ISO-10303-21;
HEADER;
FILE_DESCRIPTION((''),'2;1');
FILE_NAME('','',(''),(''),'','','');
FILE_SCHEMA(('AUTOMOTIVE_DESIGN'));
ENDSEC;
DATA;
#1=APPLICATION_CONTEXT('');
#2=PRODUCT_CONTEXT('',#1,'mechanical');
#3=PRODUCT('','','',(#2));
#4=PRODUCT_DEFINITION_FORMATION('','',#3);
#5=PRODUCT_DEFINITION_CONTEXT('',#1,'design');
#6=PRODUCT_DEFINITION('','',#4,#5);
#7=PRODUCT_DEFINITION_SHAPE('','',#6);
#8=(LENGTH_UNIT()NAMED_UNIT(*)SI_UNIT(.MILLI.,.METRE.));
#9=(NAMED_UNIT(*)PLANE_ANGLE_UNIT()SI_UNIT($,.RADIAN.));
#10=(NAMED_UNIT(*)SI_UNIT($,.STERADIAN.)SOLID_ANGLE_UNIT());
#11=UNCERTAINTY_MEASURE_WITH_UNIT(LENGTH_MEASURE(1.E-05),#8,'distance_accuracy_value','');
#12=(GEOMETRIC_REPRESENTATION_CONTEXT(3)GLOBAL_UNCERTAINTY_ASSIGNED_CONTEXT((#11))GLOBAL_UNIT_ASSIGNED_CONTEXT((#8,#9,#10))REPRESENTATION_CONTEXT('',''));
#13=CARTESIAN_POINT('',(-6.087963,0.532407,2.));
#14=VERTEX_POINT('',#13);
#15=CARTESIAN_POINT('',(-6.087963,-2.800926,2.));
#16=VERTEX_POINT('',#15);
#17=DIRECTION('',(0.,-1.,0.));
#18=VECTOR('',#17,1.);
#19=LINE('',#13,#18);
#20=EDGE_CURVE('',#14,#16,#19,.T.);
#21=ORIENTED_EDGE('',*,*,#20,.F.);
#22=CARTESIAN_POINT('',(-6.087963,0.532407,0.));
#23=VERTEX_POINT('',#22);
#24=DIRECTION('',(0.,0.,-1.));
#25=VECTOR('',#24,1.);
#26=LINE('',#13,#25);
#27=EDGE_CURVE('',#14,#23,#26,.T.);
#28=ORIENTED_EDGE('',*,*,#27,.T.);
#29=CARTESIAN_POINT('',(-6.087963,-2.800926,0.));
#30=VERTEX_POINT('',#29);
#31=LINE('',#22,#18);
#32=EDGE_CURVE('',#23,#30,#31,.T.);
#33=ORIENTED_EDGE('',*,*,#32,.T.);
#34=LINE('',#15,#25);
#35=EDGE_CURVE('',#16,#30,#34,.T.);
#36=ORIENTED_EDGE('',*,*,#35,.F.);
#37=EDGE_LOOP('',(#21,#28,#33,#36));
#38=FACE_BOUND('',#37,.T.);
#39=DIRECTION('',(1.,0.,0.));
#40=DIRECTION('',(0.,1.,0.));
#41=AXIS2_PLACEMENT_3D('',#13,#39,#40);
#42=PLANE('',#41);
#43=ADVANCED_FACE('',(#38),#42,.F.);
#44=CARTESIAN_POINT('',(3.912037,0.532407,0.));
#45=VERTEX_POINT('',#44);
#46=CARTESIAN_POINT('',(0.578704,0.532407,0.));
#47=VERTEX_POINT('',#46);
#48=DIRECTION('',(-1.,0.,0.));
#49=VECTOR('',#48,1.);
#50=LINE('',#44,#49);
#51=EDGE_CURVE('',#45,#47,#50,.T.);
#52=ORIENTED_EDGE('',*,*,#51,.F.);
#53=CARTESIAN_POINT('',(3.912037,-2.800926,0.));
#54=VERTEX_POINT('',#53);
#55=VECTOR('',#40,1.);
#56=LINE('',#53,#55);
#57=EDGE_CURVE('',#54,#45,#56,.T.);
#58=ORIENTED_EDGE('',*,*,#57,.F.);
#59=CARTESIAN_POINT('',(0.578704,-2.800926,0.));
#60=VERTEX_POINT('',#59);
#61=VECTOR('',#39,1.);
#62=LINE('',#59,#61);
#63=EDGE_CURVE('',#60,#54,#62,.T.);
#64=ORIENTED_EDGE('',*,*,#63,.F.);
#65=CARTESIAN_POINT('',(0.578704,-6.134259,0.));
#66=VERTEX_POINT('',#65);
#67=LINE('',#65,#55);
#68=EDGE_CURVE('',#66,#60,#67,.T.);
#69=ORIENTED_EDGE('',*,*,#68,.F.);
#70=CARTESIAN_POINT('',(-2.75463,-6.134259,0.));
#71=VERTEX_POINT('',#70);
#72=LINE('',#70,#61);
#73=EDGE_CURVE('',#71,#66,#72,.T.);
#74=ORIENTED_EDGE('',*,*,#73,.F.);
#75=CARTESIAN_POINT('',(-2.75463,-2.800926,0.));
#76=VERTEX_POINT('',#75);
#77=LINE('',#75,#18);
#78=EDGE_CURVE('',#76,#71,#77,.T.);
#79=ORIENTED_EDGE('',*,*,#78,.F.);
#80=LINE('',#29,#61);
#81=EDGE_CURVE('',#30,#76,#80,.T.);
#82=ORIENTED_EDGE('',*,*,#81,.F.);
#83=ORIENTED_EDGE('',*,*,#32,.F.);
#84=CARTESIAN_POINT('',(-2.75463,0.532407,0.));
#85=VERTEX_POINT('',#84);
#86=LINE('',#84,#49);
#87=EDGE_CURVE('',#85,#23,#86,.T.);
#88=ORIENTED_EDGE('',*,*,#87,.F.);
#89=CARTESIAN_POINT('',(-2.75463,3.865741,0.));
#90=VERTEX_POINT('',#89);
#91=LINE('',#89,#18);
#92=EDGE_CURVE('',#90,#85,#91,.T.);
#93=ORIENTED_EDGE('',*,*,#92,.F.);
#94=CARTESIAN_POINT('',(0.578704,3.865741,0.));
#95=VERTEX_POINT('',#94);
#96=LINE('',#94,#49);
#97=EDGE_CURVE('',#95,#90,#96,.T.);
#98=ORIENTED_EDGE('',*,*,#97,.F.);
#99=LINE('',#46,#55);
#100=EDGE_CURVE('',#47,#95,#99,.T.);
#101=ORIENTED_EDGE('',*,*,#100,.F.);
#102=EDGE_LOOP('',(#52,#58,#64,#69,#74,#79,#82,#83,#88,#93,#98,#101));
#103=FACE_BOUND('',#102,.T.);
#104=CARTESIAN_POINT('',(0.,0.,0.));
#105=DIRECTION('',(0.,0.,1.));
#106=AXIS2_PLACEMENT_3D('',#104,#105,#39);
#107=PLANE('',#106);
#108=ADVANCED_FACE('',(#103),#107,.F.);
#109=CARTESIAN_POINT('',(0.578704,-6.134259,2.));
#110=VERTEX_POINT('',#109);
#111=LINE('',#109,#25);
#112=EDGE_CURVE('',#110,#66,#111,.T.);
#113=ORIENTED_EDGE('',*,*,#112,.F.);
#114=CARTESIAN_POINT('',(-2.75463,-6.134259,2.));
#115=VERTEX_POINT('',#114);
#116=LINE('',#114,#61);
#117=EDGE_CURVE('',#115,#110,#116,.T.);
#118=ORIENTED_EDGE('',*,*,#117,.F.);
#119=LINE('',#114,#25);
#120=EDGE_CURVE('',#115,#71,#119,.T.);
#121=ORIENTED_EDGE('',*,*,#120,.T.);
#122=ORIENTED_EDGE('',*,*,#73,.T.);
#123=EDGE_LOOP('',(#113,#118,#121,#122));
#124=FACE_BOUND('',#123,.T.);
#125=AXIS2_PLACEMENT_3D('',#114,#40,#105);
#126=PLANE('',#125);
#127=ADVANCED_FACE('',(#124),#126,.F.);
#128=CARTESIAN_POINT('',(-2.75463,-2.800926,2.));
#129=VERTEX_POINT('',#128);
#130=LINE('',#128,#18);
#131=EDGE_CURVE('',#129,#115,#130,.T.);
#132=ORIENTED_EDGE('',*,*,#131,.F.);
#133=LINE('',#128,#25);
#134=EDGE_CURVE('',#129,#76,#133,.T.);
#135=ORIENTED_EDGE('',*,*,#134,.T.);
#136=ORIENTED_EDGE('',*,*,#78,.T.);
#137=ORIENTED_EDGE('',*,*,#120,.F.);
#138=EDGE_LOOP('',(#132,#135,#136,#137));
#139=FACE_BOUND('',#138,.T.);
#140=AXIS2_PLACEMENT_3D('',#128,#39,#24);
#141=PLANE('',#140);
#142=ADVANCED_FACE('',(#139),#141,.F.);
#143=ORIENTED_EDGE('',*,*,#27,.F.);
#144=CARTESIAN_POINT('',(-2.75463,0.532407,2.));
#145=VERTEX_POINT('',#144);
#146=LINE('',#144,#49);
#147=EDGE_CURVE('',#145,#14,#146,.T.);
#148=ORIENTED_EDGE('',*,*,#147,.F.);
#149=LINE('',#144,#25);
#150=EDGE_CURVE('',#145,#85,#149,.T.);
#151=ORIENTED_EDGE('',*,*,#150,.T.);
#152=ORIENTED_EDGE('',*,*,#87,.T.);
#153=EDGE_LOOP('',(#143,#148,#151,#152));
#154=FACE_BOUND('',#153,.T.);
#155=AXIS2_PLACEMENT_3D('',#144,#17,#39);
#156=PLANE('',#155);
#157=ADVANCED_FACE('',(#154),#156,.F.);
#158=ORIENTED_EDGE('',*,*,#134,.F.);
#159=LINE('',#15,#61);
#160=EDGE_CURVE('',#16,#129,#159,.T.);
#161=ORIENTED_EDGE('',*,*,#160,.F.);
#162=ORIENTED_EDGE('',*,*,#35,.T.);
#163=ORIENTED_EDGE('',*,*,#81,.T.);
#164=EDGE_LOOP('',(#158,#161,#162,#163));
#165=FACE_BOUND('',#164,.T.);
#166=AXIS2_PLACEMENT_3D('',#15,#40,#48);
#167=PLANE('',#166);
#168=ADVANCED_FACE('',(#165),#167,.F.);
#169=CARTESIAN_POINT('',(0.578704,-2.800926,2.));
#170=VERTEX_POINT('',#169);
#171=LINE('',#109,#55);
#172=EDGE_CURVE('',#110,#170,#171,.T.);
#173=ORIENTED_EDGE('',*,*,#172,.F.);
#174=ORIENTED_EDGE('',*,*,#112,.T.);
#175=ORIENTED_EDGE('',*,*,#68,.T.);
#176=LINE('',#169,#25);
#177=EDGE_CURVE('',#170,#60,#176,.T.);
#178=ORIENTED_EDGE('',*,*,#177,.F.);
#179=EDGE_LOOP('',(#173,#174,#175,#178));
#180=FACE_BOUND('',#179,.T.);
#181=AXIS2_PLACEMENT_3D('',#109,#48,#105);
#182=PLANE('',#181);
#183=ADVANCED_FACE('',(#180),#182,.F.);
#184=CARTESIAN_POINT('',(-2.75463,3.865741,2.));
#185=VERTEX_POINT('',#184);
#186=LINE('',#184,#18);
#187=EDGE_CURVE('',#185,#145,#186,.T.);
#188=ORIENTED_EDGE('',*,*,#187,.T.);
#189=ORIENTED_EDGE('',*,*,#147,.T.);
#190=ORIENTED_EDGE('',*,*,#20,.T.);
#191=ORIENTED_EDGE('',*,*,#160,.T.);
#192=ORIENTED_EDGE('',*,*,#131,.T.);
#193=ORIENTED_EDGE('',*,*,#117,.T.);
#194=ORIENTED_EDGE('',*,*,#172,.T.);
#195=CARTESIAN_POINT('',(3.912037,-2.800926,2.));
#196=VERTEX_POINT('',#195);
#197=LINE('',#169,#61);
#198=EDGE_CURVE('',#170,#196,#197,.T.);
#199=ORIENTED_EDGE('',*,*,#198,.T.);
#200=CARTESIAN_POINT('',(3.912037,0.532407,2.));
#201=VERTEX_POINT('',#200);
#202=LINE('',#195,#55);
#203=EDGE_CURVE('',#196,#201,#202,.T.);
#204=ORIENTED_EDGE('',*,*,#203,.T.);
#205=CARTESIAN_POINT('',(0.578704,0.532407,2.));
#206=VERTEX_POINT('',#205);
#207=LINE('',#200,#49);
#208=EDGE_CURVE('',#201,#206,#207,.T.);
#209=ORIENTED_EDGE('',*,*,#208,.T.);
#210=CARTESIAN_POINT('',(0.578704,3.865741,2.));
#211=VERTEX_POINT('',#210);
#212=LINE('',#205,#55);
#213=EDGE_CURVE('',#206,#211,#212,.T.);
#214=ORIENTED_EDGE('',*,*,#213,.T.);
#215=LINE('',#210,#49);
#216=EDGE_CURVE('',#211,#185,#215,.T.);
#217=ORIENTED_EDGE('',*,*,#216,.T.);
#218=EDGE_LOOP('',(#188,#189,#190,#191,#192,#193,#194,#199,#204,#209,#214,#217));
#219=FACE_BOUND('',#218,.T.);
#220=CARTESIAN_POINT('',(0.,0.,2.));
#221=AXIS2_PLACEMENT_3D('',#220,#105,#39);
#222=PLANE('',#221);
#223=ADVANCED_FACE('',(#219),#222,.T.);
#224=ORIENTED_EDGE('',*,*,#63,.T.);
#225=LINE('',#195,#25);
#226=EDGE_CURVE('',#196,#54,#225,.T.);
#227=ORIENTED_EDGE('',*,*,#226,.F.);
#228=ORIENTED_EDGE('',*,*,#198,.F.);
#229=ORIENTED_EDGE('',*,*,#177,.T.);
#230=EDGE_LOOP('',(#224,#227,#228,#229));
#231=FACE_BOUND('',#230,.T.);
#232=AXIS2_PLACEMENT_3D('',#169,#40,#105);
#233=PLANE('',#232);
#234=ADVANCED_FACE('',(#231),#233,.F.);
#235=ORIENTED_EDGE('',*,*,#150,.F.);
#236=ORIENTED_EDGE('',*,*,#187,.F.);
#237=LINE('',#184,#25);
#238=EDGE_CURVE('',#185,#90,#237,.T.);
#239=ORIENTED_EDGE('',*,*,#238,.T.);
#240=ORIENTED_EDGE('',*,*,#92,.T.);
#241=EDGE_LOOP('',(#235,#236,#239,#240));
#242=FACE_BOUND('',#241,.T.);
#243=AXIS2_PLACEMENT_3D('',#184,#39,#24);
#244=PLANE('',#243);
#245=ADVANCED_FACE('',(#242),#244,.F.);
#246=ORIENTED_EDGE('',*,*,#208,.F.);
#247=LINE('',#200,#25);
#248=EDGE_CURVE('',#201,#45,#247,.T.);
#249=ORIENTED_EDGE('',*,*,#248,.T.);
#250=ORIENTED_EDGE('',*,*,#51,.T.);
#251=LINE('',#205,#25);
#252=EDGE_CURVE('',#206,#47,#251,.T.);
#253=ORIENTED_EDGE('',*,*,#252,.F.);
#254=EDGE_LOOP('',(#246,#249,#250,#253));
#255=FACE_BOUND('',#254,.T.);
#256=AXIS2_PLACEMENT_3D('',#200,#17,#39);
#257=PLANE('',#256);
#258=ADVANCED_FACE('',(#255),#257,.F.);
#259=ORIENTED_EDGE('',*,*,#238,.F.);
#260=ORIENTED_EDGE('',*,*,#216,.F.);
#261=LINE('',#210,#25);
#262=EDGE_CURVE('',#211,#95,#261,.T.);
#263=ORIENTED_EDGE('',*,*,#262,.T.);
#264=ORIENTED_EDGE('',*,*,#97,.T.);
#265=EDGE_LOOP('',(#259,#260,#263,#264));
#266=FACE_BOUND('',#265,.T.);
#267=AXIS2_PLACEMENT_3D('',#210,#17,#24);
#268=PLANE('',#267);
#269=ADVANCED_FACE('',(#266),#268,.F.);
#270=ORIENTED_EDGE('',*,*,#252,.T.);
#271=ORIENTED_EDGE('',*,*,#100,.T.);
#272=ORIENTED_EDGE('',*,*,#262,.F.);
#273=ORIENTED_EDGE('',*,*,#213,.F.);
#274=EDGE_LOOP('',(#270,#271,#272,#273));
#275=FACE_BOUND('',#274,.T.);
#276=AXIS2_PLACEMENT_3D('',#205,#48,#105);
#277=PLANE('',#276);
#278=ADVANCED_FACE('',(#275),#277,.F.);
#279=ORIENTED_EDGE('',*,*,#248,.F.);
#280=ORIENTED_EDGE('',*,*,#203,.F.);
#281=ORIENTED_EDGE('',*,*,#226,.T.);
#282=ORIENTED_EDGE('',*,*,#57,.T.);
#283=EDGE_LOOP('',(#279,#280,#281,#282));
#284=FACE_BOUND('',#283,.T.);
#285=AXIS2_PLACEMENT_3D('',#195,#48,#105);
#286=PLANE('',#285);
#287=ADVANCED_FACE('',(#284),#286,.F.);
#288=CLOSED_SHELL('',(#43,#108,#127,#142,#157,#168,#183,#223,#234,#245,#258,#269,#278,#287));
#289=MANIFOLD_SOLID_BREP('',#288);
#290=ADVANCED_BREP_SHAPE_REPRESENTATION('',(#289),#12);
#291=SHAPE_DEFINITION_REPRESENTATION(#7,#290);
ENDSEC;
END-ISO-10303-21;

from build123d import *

# Parameters (mm, degrees)
BOSS_EXTRUDE1_DEPTH = 2


with BuildPart() as part:
    # Sketch1 → Boss-Extrude1 (new body)
    with BuildSketch(Plane.XY):
        Polygon((-2.75462963, 3.865740741), (-2.75462963, 0.532407407), (-6.087962963, 0.532407407), (-6.087962963, -2.800925926), (-2.75462963, -2.800925926), (-2.75462963, -6.134259259), (0.578703704, -6.134259259), (0.578703704, -2.800925926), (3.912037037, -2.800925926), (3.912037037, 0.532407407), (0.578703704, 0.532407407), (0.578703704, 3.865740741), align=None)
    extrude(amount=BOSS_EXTRUDE1_DEPTH)


solid = part.part
